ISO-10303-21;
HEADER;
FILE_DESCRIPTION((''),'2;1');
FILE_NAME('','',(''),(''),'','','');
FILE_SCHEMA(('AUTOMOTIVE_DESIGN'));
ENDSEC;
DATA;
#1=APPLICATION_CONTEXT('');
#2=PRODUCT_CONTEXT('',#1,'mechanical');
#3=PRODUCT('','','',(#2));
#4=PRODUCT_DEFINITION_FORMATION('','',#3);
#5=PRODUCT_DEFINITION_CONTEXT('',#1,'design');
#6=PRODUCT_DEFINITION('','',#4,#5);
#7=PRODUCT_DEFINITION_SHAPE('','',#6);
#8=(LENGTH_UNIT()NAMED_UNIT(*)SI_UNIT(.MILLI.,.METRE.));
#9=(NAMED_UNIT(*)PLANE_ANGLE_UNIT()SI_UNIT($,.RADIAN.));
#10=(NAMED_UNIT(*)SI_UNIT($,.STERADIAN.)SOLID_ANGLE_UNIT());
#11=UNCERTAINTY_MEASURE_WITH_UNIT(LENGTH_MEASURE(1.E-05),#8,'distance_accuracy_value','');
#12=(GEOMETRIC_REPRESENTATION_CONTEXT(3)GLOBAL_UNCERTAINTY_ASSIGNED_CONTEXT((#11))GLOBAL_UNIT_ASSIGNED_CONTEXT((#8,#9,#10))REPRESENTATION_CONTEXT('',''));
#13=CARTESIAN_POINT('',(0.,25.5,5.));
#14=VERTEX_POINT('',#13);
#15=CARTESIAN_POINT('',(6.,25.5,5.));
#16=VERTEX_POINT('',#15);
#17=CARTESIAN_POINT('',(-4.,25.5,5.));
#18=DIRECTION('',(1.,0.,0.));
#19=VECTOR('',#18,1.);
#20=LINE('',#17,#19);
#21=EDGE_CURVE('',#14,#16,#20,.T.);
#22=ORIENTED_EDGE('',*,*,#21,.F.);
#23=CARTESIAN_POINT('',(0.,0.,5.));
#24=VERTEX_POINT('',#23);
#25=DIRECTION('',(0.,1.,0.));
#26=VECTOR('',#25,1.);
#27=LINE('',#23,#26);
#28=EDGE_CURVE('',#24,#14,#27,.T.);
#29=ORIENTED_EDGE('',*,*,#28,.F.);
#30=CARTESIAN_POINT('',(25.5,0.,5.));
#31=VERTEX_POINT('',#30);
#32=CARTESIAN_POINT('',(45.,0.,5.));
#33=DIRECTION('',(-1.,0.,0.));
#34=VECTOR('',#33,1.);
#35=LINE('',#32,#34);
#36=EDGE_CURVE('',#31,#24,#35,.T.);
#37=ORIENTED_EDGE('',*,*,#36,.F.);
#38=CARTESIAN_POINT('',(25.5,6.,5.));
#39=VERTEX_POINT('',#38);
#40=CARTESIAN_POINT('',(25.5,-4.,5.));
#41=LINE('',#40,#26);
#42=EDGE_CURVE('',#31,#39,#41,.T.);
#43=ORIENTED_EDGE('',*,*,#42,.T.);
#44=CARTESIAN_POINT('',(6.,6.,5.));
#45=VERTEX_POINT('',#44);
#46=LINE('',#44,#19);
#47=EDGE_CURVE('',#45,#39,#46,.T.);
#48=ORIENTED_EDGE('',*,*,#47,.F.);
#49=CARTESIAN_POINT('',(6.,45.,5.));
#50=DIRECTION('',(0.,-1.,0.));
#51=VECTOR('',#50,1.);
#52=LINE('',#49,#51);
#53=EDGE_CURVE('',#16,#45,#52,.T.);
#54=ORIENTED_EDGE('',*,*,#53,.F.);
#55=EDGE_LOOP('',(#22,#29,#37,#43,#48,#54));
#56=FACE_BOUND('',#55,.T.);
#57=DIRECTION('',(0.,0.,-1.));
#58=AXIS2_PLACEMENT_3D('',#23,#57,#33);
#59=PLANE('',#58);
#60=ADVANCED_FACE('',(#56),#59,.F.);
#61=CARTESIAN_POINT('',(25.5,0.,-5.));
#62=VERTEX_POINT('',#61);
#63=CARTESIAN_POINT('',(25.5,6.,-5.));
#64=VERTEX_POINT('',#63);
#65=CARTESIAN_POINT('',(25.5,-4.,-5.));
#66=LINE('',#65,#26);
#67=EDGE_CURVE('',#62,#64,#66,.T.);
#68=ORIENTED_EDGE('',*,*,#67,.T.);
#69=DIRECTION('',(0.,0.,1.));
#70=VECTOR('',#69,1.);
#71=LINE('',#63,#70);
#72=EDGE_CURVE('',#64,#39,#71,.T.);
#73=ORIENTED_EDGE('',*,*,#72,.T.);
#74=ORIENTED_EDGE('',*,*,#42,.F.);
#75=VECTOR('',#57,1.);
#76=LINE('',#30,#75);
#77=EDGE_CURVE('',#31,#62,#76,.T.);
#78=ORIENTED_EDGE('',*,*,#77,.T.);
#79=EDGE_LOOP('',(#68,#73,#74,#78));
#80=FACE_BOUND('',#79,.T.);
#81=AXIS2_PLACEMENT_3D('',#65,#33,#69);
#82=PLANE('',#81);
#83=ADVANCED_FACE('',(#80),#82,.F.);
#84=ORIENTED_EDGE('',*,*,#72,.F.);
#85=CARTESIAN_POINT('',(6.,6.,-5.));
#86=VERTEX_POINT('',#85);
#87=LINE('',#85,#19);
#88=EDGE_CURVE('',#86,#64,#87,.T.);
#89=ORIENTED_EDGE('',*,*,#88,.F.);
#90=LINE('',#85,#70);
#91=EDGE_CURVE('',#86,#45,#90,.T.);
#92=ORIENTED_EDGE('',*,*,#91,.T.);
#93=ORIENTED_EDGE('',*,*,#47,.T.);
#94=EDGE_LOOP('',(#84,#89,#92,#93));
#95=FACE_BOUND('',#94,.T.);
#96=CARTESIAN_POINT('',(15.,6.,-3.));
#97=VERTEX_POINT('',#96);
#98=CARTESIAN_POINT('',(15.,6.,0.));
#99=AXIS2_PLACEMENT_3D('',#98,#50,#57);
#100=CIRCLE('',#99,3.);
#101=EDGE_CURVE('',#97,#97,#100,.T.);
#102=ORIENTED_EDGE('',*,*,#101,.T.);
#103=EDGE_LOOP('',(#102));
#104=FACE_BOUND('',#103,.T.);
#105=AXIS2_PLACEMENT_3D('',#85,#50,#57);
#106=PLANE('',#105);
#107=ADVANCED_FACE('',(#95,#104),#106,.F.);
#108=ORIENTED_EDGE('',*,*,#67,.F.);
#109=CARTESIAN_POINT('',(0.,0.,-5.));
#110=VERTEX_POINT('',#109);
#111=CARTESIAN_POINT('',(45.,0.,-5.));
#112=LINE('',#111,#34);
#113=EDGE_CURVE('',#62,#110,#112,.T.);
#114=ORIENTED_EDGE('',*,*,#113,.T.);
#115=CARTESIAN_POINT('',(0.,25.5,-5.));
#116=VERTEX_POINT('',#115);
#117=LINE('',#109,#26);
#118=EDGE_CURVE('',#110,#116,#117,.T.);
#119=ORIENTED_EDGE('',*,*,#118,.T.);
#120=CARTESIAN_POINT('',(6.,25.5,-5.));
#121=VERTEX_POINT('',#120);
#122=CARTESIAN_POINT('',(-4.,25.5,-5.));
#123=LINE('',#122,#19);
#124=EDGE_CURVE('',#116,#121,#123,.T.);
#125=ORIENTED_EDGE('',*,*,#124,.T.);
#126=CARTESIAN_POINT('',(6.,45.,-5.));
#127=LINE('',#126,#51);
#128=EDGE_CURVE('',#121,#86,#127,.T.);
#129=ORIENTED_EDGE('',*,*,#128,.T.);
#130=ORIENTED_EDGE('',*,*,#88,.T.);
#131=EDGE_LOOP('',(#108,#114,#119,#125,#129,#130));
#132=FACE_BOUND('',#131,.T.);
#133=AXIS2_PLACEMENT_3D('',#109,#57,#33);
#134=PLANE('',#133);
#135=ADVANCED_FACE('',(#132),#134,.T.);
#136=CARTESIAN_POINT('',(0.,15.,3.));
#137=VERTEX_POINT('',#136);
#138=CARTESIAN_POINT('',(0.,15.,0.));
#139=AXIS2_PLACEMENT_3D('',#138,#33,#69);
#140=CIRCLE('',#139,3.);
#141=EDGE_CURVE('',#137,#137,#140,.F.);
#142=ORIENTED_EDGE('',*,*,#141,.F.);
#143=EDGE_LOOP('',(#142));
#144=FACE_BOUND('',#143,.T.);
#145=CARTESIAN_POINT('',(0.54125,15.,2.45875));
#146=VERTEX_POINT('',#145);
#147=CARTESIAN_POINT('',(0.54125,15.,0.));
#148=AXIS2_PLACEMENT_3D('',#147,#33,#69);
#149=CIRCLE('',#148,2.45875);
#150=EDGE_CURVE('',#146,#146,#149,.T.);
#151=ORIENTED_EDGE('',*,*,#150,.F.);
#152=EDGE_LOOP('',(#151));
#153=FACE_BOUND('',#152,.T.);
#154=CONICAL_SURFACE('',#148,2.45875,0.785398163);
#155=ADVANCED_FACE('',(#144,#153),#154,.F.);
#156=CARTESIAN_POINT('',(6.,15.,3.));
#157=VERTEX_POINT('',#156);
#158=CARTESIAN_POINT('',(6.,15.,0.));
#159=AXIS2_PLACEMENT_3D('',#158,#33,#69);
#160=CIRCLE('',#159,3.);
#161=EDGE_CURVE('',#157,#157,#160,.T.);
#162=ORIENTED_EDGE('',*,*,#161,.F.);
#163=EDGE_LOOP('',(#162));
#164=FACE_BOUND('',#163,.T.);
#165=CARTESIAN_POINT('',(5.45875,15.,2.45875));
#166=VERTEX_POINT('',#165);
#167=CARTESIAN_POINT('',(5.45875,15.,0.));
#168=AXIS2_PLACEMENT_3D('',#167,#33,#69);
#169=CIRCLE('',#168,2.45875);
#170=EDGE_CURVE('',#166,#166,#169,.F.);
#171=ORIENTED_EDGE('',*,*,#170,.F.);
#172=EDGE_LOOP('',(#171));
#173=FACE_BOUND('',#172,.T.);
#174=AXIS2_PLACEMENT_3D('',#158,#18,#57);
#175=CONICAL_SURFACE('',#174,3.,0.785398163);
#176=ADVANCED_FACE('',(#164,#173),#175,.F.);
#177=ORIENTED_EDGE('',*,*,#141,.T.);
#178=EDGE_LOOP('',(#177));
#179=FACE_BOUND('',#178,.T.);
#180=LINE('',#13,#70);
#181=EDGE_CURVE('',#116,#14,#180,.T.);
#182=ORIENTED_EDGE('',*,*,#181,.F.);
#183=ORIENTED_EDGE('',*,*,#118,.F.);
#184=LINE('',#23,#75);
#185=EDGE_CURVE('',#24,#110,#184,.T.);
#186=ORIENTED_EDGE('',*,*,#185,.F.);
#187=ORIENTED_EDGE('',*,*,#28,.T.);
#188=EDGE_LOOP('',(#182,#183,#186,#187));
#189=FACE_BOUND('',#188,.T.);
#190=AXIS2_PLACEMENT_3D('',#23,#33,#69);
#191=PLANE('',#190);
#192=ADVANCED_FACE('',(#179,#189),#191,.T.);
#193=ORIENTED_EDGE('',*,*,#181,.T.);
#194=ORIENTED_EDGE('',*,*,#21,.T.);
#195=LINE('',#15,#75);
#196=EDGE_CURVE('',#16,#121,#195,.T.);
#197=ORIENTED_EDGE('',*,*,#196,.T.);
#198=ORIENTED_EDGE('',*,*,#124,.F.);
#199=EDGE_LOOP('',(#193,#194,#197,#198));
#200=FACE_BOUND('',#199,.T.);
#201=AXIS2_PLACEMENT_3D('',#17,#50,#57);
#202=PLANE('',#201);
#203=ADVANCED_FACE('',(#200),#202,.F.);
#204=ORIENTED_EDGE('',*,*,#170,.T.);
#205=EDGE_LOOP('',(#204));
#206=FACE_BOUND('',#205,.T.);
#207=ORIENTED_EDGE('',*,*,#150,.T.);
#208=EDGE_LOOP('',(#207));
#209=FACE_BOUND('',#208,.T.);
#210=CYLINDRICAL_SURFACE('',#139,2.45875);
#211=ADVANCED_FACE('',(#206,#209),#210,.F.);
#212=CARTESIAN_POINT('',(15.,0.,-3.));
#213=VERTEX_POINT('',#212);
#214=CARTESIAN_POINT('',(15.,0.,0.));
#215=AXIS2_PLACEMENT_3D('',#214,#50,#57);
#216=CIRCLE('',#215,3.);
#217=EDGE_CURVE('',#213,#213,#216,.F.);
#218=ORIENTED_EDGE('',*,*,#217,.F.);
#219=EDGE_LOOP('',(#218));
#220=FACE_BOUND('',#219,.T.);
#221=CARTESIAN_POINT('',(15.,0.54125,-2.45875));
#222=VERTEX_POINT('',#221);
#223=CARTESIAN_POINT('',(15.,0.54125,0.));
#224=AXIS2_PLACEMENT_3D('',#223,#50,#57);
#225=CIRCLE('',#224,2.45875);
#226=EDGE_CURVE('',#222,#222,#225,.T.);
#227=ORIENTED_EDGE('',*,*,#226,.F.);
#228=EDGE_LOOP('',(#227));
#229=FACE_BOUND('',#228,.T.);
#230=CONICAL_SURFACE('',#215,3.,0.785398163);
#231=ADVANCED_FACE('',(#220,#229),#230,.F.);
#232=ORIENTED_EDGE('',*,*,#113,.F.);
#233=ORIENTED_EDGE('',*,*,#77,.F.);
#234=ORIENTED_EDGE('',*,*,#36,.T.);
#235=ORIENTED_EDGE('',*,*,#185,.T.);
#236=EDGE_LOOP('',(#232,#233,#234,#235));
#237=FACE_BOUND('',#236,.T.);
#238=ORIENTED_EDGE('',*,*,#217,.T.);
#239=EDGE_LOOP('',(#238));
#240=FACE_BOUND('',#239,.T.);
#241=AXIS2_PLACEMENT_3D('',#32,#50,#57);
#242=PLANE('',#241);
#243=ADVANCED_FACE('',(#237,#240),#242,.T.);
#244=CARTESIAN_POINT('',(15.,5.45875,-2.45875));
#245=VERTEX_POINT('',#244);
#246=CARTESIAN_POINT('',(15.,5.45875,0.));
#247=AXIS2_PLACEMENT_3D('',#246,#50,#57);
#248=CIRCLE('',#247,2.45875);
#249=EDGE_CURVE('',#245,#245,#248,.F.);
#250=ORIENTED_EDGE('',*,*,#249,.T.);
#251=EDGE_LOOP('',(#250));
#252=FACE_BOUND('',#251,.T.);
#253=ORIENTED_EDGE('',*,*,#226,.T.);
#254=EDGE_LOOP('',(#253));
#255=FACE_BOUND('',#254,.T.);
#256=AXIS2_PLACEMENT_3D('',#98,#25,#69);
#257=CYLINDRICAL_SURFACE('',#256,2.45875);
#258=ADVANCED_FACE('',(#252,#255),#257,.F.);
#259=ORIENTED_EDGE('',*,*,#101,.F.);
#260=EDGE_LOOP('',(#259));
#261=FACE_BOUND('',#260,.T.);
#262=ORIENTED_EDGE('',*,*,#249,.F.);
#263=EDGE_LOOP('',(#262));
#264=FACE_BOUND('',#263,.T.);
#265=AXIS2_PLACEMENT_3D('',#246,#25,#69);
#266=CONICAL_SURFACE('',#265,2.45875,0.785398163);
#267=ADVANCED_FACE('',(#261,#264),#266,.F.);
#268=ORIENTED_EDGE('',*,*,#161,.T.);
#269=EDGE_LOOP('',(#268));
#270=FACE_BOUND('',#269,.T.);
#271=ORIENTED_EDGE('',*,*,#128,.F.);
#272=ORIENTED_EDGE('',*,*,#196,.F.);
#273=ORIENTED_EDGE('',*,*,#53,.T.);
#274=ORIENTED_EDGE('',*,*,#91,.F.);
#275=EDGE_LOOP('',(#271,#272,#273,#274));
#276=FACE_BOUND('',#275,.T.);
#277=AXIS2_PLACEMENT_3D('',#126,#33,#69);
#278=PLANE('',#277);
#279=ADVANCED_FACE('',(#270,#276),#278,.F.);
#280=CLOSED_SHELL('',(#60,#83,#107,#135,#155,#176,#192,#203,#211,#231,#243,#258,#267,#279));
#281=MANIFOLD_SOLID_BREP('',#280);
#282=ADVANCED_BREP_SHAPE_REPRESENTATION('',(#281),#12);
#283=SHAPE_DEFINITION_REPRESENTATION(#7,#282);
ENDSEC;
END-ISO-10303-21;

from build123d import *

# Parameters (mm, degrees)
ESQUISSE1_W             = 45
ESQUISSE1_H             = 45
BOSS_EXTRU_1_DEPTH      = 10
ESQUISSE2_W             = 39
ESQUISSE2_H             = 39
ENL_V_MAT_EXTRU_1_DEPTH = 65.420493634
PER_AGE1_D              = 4.9175
PER_AGE2_D              = 4.9175
PER_AGE2_DEPTH          = 45
PER_AGE3_D              = 4.9175
CHANFREIN1_SIZE         = 0.54125
ESQUISSE9_W             = 19.5
ESQUISSE9_H             = 10
ENL_V_MAT_EXTRU_2_DEPTH = 10
ESQUISSE10_W            = 10
ESQUISSE10_H            = 19.5
ENL_V_MAT_EXTRU_3_DEPTH = 10


with BuildPart() as part:
    # Esquisse1 → Boss.-Extru.1 (new body)
    with BuildSketch(Plane(origin=(0, 0, -5), x_dir=(-1, 0, 0), z_dir=(0, 0, -1))):
        with Locations((-22.5, 22.5)):
            Rectangle(ESQUISSE1_W, ESQUISSE1_H)
    extrude(amount=-BOSS_EXTRU_1_DEPTH)

    # Esquisse2 → Enlèv. mat.-Extru.1 (cut, through all)
    with BuildSketch(Plane.XY.offset(5)):
        with Locations((25.5, 25.5)):
            Rectangle(ESQUISSE2_W, ESQUISSE2_H)
    extrude(amount=-ENL_V_MAT_EXTRU_1_DEPTH, mode=Mode.SUBTRACT)

    # Perçage1 (through all)
    with Locations(Plane(origin=(0, 6, 0), x_dir=(1, 0, 0), z_dir=(0, 1, 0))):
        with Locations((35, 0), (15, 0)):
            Hole(PER_AGE1_D / 2)

    # Perçage2
    with Locations(Plane.ZY):
        with Locations((0, 15)):
            Hole(PER_AGE2_D / 2, depth=PER_AGE2_DEPTH)

    # Perçage3 (through all)
    with Locations(Plane(origin=(6, 0, 0), x_dir=(0, 0, -1), z_dir=(1, 0, 0))):
        with Locations((0, 35)):
            Hole(PER_AGE3_D / 2)

    # Chanfrein1
    chanfrein1_edges = [part.edges().sort_by_distance(p)[0] for p in [
        (17.45875, 6, 0),
        (17.45875, 0, 0),
        (37.45875, 6, 0),
        (37.45875, 0, 0),
        (6, 15, 2.45875),
        (0, 15, 2.45875),
        (6, 35, -2.45875),
        (0, 35, -2.45875),
    ]]
    chamfer(chanfrein1_edges, length=CHANFREIN1_SIZE)

    # Esquisse9 → Enlèv. mat.-Extru.2 (cut)
    with BuildSketch(Plane(origin=(0, 6, 0), x_dir=(1, 0, 0), z_dir=(0, 1, 0))):
        with Locations((35.25, 0)):
            Rectangle(ESQUISSE9_W, ESQUISSE9_H)
    extrude(amount=-ENL_V_MAT_EXTRU_2_DEPTH, mode=Mode.SUBTRACT)

    # Esquisse10 → Enlèv. mat.-Extru.3 (cut)
    with BuildSketch(Plane(origin=(6, 0, 0), x_dir=(0, 0, -1), z_dir=(1, 0, 0))):
        with Locations((0, 35.25)):
            Rectangle(ESQUISSE10_W, ESQUISSE10_H)
    extrude(amount=-ENL_V_MAT_EXTRU_3_DEPTH, mode=Mode.SUBTRACT)


solid = part.part
